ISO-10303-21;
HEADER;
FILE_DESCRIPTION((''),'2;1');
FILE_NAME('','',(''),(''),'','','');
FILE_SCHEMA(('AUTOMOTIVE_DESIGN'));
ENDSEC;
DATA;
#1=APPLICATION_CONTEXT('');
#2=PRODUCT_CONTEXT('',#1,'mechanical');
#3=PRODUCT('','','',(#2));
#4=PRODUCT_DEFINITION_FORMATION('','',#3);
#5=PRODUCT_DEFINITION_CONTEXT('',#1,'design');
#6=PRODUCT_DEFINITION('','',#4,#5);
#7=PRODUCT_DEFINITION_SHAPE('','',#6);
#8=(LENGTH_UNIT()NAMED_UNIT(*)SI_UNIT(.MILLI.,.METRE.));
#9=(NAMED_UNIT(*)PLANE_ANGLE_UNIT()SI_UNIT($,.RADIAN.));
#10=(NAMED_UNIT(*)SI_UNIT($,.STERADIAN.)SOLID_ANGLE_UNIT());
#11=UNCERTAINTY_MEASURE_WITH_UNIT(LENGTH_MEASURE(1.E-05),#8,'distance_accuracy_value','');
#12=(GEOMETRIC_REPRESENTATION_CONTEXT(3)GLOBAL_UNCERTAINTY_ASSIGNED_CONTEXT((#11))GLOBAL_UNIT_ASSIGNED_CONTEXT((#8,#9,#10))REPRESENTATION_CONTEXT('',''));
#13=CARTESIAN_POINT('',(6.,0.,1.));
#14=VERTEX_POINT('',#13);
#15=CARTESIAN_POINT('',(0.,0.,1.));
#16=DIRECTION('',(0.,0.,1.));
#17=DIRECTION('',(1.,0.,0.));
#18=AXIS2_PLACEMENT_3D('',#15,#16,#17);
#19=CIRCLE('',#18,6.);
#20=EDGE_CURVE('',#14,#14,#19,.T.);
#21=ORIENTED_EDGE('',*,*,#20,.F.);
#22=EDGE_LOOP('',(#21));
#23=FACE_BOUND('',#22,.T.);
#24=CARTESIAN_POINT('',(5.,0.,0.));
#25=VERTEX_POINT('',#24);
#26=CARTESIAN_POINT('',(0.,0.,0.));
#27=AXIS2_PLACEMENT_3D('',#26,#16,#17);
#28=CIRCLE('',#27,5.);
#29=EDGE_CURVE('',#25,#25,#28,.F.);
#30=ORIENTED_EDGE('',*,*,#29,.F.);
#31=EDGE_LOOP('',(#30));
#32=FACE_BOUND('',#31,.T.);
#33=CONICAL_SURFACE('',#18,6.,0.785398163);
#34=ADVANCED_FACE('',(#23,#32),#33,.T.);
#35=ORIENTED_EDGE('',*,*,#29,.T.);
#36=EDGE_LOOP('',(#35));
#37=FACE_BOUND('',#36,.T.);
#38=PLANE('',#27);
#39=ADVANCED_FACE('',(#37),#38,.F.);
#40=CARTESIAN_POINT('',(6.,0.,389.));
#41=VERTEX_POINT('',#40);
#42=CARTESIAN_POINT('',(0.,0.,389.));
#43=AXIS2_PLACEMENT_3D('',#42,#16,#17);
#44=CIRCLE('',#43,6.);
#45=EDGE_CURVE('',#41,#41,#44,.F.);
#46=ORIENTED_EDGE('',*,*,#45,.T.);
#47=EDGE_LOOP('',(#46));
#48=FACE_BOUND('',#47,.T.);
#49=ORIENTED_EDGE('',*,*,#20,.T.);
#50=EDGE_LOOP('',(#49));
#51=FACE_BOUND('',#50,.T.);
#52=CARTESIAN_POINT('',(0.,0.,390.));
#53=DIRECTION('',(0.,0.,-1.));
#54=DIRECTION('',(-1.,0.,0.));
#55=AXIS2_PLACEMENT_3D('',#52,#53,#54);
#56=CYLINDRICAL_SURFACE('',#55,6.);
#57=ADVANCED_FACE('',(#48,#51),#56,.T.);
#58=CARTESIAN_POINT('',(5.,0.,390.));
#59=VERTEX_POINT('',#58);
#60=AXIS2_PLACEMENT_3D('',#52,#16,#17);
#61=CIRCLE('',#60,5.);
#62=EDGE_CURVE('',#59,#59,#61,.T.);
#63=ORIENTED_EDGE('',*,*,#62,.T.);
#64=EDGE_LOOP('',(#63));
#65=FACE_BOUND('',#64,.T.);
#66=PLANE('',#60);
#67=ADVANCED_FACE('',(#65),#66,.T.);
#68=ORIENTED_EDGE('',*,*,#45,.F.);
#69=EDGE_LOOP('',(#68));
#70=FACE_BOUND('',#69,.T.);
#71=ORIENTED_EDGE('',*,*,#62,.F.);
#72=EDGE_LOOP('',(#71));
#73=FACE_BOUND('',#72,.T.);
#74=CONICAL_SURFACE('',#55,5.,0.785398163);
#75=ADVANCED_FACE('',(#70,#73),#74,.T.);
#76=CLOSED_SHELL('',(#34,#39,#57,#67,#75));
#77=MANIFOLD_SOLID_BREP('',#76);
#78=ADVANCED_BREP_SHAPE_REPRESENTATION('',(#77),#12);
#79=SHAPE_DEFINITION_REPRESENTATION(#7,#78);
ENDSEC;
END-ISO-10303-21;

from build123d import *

# Parameters (mm, degrees)
SCHIZZO1_R                   = 6
ESTRUSIONE_ESTRUSIONE1_DEPTH = 390
SMUSSO1_SIZE                 = 1


with BuildPart() as part:
    # Schizzo1 → Estrusione-Estrusione1 (new body)
    with BuildSketch(Plane.XY):
        Circle(SCHIZZO1_R)
    extrude(amount=ESTRUSIONE_ESTRUSIONE1_DEPTH)

    # Smusso1
    smusso1_edges = [part.edges().sort_by_distance(p)[0] for p in [
        (-6, 0, 0),
        (-6, 0, 390),
    ]]
    chamfer(smusso1_edges, length=SMUSSO1_SIZE)


solid = part.part
